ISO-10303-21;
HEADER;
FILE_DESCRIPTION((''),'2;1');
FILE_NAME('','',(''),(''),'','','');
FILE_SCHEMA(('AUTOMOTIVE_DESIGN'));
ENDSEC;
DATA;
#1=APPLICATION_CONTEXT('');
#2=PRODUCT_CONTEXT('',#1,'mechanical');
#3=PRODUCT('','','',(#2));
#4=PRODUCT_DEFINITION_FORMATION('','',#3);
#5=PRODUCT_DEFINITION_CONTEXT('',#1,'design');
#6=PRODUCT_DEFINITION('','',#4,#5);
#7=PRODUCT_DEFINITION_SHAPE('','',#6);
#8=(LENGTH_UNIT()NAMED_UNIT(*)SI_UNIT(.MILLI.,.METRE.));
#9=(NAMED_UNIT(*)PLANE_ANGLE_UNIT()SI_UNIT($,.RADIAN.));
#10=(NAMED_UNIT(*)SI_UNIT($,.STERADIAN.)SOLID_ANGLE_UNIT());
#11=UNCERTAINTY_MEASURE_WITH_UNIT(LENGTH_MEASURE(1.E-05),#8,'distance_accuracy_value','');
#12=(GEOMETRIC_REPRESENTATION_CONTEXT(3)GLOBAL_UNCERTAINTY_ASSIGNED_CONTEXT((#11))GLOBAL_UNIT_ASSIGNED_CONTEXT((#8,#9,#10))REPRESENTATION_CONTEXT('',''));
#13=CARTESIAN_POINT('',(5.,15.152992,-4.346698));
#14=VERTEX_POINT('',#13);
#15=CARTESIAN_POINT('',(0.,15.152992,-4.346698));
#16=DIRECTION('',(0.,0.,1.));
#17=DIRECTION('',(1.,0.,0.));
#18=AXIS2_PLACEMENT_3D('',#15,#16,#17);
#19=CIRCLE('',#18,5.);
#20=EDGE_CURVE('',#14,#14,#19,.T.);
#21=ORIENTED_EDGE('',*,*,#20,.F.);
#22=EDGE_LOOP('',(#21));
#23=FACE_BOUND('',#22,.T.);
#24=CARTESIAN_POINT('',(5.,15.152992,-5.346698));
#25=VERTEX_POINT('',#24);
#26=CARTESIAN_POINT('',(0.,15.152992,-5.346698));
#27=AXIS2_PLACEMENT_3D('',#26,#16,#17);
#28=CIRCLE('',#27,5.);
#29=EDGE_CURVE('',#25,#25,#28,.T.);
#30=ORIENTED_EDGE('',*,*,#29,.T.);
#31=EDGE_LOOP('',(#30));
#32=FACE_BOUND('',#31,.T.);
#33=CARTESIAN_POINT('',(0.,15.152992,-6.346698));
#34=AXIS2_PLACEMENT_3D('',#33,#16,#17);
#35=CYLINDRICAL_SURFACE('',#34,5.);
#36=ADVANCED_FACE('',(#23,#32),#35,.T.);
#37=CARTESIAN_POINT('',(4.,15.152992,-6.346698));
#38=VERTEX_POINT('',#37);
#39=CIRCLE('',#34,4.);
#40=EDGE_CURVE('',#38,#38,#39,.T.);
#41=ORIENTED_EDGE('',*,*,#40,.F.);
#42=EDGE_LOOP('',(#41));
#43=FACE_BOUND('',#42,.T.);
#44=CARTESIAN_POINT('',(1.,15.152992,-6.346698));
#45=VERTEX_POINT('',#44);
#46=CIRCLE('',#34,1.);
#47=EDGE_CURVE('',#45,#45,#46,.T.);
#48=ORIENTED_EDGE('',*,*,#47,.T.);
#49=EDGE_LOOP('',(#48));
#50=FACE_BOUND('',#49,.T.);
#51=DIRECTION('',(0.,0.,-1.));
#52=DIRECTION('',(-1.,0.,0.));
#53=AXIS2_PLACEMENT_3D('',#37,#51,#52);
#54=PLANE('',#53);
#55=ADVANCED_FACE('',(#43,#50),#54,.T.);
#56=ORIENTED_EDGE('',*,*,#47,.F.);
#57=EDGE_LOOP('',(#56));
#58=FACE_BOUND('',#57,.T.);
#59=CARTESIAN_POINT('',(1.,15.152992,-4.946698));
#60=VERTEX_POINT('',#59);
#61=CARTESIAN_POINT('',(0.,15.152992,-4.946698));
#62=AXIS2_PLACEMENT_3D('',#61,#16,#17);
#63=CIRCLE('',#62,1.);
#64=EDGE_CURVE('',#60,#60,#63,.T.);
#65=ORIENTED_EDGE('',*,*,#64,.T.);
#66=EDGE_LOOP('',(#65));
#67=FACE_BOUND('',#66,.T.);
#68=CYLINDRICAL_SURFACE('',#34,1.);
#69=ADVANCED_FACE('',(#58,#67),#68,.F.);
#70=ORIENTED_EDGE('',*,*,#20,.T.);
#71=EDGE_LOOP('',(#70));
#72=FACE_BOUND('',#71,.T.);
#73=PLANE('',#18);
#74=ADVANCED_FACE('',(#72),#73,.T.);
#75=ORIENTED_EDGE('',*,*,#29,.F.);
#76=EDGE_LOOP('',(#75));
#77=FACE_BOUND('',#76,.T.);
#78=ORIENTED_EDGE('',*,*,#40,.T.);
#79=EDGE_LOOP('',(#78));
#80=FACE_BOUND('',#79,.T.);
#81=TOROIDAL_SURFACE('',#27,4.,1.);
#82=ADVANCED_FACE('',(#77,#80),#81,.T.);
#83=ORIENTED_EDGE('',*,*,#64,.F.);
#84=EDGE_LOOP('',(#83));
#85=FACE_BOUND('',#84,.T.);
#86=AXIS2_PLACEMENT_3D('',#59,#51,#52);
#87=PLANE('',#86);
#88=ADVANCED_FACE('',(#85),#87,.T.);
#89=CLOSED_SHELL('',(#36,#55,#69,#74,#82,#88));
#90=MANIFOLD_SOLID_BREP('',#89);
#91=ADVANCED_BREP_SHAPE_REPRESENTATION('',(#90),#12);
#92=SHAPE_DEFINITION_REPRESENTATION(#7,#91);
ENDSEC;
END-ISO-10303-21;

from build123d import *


with BuildPart() as part:
    # Sketch1 → Revolve1 (revolve)
    with BuildSketch(Plane(origin=(0, 15.152992085, 0), x_dir=(1, 0, 0), z_dir=(0, 1, 0))):
        with BuildLine():
            Line((1, 4.946698122), (0, 4.946698122))
            Line((0, 4.946698122), (0, 4.346698122))
            Line((0, 4.346698122), (5, 4.346698122))
            Line((5, 4.346698122), (5, 5.346698122))
            ThreePointArc((5, 5.346698122), (4.707106781, 6.053804904), (4, 6.346698122))
            Line((4, 6.346698122), (1, 6.346698122))
            Line((1, 6.346698122), (1, 4.946698122))
        make_face()
    revolve(axis=Axis((0, 15.152992085, -6.346698122), (0, 0, 1)))


solid = part.part
